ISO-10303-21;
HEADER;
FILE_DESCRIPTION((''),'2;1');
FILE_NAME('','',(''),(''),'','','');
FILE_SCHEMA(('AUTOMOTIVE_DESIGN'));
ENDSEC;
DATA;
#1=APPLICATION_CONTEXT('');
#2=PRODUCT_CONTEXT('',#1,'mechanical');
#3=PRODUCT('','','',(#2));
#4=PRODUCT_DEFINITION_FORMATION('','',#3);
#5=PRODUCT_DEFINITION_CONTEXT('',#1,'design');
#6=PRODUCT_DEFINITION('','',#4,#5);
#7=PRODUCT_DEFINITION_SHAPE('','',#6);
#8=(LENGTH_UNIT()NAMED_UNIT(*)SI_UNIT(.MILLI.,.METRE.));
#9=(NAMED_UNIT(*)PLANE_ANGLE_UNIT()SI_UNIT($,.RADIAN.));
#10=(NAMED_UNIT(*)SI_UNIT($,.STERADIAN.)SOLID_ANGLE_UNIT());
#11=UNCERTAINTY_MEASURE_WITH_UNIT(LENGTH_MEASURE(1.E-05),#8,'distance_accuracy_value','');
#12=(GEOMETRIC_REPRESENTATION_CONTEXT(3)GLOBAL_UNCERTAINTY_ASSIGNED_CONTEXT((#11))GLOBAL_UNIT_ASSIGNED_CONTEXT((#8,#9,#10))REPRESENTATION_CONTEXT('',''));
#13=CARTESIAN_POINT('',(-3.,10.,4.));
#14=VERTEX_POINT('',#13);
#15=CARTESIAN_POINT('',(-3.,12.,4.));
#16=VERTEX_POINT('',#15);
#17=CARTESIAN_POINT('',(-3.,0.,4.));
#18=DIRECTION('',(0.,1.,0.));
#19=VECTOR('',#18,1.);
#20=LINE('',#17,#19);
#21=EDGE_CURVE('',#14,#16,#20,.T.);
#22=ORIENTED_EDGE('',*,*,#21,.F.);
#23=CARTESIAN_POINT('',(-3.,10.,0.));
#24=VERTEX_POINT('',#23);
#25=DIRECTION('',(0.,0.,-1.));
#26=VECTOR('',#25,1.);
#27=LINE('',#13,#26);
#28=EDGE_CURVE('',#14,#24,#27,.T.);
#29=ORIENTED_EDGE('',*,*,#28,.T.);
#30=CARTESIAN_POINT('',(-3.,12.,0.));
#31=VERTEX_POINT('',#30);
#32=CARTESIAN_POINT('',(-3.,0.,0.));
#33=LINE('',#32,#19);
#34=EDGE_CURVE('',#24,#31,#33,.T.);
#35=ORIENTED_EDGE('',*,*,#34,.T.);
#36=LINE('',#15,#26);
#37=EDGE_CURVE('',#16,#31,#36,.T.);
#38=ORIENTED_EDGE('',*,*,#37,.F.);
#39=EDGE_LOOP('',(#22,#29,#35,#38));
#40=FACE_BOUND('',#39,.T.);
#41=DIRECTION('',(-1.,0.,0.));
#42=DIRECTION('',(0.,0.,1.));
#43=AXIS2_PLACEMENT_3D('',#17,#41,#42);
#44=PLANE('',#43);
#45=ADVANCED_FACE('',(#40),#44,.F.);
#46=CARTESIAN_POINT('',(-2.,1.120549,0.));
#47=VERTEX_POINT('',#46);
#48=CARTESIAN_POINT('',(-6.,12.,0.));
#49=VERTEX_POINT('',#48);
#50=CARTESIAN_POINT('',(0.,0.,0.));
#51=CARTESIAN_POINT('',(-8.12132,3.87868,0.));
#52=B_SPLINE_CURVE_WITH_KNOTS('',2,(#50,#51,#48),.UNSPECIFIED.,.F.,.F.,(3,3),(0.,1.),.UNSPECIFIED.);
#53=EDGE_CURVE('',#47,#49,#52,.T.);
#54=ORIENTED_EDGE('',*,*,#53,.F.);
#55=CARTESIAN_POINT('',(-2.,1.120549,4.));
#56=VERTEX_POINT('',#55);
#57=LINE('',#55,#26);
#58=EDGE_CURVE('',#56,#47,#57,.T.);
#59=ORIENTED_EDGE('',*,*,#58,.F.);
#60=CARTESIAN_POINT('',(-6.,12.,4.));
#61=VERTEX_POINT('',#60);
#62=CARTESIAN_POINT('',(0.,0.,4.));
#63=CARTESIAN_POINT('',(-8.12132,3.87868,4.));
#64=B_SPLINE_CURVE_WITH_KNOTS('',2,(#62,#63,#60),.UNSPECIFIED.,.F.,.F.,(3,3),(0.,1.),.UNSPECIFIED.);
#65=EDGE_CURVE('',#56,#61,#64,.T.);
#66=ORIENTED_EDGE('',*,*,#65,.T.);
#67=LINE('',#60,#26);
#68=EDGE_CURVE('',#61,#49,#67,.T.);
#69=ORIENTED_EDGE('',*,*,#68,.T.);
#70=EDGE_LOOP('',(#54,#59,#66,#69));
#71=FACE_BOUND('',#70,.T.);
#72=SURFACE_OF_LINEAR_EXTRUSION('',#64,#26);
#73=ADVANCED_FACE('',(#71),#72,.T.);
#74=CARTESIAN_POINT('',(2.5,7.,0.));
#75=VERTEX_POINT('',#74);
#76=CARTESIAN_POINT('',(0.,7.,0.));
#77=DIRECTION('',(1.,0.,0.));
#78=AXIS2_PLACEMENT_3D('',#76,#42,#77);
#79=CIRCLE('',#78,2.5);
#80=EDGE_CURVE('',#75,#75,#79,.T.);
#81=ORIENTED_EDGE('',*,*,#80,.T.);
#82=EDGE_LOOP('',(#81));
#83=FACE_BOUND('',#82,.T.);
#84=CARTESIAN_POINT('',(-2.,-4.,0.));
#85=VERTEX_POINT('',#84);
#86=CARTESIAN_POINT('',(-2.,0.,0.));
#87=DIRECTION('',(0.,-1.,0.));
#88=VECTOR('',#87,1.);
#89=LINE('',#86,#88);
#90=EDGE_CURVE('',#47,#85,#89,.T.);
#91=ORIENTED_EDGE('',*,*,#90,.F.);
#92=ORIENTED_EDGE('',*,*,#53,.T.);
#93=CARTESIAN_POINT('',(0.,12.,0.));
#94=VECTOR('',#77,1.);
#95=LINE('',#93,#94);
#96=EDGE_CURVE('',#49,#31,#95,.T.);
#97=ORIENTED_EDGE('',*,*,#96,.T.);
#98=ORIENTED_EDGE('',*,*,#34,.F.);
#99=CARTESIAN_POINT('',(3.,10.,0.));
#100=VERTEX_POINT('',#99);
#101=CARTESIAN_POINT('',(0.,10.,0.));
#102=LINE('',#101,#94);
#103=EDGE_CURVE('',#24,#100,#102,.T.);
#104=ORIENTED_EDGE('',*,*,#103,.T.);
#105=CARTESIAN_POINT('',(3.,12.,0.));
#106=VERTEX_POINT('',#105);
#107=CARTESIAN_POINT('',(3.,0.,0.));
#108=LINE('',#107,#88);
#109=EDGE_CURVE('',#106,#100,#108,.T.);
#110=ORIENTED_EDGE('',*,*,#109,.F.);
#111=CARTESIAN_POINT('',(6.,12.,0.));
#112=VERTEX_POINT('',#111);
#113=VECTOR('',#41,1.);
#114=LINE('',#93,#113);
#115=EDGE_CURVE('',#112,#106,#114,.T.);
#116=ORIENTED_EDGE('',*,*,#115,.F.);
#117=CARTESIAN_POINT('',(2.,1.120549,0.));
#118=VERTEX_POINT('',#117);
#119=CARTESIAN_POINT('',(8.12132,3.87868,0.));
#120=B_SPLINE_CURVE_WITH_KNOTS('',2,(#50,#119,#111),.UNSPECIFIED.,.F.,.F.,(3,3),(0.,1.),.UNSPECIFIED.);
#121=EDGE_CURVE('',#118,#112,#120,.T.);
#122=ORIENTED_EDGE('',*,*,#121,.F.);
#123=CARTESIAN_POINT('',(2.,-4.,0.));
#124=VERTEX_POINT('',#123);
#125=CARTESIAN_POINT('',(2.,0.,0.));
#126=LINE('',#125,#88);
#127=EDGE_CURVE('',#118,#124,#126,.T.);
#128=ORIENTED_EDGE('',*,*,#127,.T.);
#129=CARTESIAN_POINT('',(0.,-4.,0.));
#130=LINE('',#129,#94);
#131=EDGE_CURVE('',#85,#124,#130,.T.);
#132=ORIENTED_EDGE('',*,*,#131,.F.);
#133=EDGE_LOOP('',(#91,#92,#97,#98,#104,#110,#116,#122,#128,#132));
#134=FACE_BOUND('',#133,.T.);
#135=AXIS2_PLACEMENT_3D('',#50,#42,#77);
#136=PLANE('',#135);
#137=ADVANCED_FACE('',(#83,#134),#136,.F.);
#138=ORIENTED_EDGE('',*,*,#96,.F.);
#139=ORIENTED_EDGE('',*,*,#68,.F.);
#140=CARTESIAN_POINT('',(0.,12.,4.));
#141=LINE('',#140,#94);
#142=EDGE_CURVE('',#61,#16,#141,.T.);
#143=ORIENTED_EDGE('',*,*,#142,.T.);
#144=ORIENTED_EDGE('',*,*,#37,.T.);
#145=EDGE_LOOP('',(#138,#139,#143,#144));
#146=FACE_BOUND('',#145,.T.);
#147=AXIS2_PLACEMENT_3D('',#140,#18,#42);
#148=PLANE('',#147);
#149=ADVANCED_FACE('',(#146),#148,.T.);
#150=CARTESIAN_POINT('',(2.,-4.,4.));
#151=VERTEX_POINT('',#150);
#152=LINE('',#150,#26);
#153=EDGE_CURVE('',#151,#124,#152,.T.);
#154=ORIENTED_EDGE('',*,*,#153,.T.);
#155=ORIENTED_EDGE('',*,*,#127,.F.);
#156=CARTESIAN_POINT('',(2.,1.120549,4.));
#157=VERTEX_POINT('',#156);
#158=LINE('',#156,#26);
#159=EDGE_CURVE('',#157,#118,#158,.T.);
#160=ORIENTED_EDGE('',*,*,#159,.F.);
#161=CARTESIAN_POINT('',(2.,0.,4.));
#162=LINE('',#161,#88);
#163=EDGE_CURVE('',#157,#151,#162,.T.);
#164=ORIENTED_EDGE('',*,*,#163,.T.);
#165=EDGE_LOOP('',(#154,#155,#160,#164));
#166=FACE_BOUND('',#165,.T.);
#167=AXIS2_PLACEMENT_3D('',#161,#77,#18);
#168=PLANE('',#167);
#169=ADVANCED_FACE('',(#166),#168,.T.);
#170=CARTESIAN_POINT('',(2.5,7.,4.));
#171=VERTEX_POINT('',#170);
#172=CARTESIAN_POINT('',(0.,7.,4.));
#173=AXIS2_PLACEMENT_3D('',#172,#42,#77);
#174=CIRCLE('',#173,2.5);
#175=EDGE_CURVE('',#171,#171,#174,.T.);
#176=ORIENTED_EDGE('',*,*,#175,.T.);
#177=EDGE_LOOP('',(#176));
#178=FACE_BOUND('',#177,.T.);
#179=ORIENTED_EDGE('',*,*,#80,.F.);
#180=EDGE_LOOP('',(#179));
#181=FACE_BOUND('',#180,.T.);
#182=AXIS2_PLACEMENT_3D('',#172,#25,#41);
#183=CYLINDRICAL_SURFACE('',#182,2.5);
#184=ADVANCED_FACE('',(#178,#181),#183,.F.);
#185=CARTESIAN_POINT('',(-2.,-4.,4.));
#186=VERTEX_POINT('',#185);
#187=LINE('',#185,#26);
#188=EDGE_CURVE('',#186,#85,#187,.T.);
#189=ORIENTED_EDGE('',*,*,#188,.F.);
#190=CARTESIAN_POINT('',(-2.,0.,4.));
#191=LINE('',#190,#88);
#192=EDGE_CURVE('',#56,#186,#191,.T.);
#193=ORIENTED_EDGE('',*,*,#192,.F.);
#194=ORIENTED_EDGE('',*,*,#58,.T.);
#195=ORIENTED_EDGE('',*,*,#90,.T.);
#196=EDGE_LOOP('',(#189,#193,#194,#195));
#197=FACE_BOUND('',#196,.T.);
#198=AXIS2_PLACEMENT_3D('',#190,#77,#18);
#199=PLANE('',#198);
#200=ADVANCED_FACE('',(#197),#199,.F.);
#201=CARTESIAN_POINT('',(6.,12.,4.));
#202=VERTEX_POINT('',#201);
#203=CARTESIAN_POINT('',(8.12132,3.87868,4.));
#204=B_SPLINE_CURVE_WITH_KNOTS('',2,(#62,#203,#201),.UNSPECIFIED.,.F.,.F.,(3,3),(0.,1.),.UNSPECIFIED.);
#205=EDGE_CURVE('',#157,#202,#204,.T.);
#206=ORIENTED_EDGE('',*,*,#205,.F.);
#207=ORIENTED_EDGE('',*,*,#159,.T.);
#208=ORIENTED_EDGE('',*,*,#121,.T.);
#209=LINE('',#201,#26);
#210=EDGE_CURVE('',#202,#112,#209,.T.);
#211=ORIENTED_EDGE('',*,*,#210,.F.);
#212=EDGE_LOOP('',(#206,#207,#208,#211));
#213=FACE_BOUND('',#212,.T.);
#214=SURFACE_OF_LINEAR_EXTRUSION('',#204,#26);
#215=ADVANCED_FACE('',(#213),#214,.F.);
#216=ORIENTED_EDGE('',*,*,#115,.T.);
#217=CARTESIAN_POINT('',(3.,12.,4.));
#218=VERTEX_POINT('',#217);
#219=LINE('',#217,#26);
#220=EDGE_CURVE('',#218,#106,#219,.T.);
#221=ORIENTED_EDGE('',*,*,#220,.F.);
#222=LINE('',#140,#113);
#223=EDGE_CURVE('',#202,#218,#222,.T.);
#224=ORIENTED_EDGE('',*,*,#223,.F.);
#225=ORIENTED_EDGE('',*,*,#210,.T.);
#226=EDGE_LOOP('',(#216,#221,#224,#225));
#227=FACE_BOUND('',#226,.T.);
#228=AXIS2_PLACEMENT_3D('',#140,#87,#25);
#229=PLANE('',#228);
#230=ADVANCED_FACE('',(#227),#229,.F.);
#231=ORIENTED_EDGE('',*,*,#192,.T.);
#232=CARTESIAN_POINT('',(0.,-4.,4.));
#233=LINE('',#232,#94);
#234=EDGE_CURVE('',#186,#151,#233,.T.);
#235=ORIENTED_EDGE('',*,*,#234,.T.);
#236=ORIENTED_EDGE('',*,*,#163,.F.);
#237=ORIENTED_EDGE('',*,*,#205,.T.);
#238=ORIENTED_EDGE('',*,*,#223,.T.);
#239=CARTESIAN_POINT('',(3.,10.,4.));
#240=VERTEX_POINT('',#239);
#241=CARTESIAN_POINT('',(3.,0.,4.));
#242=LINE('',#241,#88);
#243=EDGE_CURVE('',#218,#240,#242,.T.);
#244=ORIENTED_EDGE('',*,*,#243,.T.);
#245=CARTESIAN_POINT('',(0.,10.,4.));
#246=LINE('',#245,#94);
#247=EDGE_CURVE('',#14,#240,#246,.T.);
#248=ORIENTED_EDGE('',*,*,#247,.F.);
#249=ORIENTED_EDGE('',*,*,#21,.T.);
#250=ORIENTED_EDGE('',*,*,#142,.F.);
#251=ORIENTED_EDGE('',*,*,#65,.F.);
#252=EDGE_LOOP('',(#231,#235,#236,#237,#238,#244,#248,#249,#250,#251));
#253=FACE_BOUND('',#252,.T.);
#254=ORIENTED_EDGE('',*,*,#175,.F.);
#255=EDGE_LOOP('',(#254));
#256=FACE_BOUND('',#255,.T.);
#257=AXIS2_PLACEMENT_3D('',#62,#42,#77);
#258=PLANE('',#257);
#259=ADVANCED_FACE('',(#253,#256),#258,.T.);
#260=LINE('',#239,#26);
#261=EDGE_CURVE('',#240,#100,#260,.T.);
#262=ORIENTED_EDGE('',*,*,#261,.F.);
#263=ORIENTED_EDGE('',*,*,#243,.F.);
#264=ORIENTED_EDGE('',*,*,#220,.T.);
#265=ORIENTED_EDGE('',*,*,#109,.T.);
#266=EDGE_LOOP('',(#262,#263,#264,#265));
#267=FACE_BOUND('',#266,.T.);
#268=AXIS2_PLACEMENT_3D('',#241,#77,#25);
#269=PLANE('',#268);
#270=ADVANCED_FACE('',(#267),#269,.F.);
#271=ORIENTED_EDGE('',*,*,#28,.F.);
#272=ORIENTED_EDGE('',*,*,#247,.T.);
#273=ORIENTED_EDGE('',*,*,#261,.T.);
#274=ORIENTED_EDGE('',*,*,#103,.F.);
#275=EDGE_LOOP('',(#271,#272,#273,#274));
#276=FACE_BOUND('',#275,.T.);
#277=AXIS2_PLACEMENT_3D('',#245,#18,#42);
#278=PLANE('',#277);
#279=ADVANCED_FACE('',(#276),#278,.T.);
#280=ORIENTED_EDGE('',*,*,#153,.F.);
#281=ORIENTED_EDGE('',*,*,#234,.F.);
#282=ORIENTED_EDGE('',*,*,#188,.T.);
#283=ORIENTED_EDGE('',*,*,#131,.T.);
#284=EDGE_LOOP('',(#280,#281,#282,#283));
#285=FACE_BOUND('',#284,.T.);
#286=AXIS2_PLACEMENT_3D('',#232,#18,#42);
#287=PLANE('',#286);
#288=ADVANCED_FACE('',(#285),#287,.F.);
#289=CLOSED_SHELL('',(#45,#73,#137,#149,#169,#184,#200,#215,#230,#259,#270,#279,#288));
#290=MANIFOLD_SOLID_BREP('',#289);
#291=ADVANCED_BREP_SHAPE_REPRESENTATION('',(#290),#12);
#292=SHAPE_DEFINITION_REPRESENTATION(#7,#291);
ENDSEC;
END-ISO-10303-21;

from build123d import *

# Parameters (mm, degrees)
SKETCH1_R           = 2.5
BOSS_EXTRUDE1_DEPTH = 4


with BuildPart() as part:
    # Sketch1 → Boss-Extrude1 (new body)
    with BuildSketch(Plane.XY):
        with BuildLine():
            Line((2, -4), (2, 1.120548597))
            add(Edge.make_bspline(
                [(2, 1.120548597), (7.835899457, 4.971392719), (6, 12)],
                knots=[0.134548696, 0.134548696, 0.134548696, 1, 1, 1], degree=2))
            Line((6, 12), (3, 12))
            Line((3, 12), (3, 10))
            Line((3, 10), (-3, 10))
            Line((-3, 10), (-3, 12))
            Line((-3, 12), (-6, 12))
            add(Edge.make_bspline(
                [(-2, 1.120548597), (-7.835899457, 4.971392719), (-6, 12)],
                knots=[0.134548696, 0.134548696, 0.134548696, 1, 1, 1], degree=2))
            Line((-2, 1.120548597), (-2, -4))
            Line((-2, -4), (2, -4))
        make_face()
        with Locations((0, 7)):
            Circle(SKETCH1_R, mode=Mode.SUBTRACT)
    extrude(amount=BOSS_EXTRUDE1_DEPTH)


solid = part.part
